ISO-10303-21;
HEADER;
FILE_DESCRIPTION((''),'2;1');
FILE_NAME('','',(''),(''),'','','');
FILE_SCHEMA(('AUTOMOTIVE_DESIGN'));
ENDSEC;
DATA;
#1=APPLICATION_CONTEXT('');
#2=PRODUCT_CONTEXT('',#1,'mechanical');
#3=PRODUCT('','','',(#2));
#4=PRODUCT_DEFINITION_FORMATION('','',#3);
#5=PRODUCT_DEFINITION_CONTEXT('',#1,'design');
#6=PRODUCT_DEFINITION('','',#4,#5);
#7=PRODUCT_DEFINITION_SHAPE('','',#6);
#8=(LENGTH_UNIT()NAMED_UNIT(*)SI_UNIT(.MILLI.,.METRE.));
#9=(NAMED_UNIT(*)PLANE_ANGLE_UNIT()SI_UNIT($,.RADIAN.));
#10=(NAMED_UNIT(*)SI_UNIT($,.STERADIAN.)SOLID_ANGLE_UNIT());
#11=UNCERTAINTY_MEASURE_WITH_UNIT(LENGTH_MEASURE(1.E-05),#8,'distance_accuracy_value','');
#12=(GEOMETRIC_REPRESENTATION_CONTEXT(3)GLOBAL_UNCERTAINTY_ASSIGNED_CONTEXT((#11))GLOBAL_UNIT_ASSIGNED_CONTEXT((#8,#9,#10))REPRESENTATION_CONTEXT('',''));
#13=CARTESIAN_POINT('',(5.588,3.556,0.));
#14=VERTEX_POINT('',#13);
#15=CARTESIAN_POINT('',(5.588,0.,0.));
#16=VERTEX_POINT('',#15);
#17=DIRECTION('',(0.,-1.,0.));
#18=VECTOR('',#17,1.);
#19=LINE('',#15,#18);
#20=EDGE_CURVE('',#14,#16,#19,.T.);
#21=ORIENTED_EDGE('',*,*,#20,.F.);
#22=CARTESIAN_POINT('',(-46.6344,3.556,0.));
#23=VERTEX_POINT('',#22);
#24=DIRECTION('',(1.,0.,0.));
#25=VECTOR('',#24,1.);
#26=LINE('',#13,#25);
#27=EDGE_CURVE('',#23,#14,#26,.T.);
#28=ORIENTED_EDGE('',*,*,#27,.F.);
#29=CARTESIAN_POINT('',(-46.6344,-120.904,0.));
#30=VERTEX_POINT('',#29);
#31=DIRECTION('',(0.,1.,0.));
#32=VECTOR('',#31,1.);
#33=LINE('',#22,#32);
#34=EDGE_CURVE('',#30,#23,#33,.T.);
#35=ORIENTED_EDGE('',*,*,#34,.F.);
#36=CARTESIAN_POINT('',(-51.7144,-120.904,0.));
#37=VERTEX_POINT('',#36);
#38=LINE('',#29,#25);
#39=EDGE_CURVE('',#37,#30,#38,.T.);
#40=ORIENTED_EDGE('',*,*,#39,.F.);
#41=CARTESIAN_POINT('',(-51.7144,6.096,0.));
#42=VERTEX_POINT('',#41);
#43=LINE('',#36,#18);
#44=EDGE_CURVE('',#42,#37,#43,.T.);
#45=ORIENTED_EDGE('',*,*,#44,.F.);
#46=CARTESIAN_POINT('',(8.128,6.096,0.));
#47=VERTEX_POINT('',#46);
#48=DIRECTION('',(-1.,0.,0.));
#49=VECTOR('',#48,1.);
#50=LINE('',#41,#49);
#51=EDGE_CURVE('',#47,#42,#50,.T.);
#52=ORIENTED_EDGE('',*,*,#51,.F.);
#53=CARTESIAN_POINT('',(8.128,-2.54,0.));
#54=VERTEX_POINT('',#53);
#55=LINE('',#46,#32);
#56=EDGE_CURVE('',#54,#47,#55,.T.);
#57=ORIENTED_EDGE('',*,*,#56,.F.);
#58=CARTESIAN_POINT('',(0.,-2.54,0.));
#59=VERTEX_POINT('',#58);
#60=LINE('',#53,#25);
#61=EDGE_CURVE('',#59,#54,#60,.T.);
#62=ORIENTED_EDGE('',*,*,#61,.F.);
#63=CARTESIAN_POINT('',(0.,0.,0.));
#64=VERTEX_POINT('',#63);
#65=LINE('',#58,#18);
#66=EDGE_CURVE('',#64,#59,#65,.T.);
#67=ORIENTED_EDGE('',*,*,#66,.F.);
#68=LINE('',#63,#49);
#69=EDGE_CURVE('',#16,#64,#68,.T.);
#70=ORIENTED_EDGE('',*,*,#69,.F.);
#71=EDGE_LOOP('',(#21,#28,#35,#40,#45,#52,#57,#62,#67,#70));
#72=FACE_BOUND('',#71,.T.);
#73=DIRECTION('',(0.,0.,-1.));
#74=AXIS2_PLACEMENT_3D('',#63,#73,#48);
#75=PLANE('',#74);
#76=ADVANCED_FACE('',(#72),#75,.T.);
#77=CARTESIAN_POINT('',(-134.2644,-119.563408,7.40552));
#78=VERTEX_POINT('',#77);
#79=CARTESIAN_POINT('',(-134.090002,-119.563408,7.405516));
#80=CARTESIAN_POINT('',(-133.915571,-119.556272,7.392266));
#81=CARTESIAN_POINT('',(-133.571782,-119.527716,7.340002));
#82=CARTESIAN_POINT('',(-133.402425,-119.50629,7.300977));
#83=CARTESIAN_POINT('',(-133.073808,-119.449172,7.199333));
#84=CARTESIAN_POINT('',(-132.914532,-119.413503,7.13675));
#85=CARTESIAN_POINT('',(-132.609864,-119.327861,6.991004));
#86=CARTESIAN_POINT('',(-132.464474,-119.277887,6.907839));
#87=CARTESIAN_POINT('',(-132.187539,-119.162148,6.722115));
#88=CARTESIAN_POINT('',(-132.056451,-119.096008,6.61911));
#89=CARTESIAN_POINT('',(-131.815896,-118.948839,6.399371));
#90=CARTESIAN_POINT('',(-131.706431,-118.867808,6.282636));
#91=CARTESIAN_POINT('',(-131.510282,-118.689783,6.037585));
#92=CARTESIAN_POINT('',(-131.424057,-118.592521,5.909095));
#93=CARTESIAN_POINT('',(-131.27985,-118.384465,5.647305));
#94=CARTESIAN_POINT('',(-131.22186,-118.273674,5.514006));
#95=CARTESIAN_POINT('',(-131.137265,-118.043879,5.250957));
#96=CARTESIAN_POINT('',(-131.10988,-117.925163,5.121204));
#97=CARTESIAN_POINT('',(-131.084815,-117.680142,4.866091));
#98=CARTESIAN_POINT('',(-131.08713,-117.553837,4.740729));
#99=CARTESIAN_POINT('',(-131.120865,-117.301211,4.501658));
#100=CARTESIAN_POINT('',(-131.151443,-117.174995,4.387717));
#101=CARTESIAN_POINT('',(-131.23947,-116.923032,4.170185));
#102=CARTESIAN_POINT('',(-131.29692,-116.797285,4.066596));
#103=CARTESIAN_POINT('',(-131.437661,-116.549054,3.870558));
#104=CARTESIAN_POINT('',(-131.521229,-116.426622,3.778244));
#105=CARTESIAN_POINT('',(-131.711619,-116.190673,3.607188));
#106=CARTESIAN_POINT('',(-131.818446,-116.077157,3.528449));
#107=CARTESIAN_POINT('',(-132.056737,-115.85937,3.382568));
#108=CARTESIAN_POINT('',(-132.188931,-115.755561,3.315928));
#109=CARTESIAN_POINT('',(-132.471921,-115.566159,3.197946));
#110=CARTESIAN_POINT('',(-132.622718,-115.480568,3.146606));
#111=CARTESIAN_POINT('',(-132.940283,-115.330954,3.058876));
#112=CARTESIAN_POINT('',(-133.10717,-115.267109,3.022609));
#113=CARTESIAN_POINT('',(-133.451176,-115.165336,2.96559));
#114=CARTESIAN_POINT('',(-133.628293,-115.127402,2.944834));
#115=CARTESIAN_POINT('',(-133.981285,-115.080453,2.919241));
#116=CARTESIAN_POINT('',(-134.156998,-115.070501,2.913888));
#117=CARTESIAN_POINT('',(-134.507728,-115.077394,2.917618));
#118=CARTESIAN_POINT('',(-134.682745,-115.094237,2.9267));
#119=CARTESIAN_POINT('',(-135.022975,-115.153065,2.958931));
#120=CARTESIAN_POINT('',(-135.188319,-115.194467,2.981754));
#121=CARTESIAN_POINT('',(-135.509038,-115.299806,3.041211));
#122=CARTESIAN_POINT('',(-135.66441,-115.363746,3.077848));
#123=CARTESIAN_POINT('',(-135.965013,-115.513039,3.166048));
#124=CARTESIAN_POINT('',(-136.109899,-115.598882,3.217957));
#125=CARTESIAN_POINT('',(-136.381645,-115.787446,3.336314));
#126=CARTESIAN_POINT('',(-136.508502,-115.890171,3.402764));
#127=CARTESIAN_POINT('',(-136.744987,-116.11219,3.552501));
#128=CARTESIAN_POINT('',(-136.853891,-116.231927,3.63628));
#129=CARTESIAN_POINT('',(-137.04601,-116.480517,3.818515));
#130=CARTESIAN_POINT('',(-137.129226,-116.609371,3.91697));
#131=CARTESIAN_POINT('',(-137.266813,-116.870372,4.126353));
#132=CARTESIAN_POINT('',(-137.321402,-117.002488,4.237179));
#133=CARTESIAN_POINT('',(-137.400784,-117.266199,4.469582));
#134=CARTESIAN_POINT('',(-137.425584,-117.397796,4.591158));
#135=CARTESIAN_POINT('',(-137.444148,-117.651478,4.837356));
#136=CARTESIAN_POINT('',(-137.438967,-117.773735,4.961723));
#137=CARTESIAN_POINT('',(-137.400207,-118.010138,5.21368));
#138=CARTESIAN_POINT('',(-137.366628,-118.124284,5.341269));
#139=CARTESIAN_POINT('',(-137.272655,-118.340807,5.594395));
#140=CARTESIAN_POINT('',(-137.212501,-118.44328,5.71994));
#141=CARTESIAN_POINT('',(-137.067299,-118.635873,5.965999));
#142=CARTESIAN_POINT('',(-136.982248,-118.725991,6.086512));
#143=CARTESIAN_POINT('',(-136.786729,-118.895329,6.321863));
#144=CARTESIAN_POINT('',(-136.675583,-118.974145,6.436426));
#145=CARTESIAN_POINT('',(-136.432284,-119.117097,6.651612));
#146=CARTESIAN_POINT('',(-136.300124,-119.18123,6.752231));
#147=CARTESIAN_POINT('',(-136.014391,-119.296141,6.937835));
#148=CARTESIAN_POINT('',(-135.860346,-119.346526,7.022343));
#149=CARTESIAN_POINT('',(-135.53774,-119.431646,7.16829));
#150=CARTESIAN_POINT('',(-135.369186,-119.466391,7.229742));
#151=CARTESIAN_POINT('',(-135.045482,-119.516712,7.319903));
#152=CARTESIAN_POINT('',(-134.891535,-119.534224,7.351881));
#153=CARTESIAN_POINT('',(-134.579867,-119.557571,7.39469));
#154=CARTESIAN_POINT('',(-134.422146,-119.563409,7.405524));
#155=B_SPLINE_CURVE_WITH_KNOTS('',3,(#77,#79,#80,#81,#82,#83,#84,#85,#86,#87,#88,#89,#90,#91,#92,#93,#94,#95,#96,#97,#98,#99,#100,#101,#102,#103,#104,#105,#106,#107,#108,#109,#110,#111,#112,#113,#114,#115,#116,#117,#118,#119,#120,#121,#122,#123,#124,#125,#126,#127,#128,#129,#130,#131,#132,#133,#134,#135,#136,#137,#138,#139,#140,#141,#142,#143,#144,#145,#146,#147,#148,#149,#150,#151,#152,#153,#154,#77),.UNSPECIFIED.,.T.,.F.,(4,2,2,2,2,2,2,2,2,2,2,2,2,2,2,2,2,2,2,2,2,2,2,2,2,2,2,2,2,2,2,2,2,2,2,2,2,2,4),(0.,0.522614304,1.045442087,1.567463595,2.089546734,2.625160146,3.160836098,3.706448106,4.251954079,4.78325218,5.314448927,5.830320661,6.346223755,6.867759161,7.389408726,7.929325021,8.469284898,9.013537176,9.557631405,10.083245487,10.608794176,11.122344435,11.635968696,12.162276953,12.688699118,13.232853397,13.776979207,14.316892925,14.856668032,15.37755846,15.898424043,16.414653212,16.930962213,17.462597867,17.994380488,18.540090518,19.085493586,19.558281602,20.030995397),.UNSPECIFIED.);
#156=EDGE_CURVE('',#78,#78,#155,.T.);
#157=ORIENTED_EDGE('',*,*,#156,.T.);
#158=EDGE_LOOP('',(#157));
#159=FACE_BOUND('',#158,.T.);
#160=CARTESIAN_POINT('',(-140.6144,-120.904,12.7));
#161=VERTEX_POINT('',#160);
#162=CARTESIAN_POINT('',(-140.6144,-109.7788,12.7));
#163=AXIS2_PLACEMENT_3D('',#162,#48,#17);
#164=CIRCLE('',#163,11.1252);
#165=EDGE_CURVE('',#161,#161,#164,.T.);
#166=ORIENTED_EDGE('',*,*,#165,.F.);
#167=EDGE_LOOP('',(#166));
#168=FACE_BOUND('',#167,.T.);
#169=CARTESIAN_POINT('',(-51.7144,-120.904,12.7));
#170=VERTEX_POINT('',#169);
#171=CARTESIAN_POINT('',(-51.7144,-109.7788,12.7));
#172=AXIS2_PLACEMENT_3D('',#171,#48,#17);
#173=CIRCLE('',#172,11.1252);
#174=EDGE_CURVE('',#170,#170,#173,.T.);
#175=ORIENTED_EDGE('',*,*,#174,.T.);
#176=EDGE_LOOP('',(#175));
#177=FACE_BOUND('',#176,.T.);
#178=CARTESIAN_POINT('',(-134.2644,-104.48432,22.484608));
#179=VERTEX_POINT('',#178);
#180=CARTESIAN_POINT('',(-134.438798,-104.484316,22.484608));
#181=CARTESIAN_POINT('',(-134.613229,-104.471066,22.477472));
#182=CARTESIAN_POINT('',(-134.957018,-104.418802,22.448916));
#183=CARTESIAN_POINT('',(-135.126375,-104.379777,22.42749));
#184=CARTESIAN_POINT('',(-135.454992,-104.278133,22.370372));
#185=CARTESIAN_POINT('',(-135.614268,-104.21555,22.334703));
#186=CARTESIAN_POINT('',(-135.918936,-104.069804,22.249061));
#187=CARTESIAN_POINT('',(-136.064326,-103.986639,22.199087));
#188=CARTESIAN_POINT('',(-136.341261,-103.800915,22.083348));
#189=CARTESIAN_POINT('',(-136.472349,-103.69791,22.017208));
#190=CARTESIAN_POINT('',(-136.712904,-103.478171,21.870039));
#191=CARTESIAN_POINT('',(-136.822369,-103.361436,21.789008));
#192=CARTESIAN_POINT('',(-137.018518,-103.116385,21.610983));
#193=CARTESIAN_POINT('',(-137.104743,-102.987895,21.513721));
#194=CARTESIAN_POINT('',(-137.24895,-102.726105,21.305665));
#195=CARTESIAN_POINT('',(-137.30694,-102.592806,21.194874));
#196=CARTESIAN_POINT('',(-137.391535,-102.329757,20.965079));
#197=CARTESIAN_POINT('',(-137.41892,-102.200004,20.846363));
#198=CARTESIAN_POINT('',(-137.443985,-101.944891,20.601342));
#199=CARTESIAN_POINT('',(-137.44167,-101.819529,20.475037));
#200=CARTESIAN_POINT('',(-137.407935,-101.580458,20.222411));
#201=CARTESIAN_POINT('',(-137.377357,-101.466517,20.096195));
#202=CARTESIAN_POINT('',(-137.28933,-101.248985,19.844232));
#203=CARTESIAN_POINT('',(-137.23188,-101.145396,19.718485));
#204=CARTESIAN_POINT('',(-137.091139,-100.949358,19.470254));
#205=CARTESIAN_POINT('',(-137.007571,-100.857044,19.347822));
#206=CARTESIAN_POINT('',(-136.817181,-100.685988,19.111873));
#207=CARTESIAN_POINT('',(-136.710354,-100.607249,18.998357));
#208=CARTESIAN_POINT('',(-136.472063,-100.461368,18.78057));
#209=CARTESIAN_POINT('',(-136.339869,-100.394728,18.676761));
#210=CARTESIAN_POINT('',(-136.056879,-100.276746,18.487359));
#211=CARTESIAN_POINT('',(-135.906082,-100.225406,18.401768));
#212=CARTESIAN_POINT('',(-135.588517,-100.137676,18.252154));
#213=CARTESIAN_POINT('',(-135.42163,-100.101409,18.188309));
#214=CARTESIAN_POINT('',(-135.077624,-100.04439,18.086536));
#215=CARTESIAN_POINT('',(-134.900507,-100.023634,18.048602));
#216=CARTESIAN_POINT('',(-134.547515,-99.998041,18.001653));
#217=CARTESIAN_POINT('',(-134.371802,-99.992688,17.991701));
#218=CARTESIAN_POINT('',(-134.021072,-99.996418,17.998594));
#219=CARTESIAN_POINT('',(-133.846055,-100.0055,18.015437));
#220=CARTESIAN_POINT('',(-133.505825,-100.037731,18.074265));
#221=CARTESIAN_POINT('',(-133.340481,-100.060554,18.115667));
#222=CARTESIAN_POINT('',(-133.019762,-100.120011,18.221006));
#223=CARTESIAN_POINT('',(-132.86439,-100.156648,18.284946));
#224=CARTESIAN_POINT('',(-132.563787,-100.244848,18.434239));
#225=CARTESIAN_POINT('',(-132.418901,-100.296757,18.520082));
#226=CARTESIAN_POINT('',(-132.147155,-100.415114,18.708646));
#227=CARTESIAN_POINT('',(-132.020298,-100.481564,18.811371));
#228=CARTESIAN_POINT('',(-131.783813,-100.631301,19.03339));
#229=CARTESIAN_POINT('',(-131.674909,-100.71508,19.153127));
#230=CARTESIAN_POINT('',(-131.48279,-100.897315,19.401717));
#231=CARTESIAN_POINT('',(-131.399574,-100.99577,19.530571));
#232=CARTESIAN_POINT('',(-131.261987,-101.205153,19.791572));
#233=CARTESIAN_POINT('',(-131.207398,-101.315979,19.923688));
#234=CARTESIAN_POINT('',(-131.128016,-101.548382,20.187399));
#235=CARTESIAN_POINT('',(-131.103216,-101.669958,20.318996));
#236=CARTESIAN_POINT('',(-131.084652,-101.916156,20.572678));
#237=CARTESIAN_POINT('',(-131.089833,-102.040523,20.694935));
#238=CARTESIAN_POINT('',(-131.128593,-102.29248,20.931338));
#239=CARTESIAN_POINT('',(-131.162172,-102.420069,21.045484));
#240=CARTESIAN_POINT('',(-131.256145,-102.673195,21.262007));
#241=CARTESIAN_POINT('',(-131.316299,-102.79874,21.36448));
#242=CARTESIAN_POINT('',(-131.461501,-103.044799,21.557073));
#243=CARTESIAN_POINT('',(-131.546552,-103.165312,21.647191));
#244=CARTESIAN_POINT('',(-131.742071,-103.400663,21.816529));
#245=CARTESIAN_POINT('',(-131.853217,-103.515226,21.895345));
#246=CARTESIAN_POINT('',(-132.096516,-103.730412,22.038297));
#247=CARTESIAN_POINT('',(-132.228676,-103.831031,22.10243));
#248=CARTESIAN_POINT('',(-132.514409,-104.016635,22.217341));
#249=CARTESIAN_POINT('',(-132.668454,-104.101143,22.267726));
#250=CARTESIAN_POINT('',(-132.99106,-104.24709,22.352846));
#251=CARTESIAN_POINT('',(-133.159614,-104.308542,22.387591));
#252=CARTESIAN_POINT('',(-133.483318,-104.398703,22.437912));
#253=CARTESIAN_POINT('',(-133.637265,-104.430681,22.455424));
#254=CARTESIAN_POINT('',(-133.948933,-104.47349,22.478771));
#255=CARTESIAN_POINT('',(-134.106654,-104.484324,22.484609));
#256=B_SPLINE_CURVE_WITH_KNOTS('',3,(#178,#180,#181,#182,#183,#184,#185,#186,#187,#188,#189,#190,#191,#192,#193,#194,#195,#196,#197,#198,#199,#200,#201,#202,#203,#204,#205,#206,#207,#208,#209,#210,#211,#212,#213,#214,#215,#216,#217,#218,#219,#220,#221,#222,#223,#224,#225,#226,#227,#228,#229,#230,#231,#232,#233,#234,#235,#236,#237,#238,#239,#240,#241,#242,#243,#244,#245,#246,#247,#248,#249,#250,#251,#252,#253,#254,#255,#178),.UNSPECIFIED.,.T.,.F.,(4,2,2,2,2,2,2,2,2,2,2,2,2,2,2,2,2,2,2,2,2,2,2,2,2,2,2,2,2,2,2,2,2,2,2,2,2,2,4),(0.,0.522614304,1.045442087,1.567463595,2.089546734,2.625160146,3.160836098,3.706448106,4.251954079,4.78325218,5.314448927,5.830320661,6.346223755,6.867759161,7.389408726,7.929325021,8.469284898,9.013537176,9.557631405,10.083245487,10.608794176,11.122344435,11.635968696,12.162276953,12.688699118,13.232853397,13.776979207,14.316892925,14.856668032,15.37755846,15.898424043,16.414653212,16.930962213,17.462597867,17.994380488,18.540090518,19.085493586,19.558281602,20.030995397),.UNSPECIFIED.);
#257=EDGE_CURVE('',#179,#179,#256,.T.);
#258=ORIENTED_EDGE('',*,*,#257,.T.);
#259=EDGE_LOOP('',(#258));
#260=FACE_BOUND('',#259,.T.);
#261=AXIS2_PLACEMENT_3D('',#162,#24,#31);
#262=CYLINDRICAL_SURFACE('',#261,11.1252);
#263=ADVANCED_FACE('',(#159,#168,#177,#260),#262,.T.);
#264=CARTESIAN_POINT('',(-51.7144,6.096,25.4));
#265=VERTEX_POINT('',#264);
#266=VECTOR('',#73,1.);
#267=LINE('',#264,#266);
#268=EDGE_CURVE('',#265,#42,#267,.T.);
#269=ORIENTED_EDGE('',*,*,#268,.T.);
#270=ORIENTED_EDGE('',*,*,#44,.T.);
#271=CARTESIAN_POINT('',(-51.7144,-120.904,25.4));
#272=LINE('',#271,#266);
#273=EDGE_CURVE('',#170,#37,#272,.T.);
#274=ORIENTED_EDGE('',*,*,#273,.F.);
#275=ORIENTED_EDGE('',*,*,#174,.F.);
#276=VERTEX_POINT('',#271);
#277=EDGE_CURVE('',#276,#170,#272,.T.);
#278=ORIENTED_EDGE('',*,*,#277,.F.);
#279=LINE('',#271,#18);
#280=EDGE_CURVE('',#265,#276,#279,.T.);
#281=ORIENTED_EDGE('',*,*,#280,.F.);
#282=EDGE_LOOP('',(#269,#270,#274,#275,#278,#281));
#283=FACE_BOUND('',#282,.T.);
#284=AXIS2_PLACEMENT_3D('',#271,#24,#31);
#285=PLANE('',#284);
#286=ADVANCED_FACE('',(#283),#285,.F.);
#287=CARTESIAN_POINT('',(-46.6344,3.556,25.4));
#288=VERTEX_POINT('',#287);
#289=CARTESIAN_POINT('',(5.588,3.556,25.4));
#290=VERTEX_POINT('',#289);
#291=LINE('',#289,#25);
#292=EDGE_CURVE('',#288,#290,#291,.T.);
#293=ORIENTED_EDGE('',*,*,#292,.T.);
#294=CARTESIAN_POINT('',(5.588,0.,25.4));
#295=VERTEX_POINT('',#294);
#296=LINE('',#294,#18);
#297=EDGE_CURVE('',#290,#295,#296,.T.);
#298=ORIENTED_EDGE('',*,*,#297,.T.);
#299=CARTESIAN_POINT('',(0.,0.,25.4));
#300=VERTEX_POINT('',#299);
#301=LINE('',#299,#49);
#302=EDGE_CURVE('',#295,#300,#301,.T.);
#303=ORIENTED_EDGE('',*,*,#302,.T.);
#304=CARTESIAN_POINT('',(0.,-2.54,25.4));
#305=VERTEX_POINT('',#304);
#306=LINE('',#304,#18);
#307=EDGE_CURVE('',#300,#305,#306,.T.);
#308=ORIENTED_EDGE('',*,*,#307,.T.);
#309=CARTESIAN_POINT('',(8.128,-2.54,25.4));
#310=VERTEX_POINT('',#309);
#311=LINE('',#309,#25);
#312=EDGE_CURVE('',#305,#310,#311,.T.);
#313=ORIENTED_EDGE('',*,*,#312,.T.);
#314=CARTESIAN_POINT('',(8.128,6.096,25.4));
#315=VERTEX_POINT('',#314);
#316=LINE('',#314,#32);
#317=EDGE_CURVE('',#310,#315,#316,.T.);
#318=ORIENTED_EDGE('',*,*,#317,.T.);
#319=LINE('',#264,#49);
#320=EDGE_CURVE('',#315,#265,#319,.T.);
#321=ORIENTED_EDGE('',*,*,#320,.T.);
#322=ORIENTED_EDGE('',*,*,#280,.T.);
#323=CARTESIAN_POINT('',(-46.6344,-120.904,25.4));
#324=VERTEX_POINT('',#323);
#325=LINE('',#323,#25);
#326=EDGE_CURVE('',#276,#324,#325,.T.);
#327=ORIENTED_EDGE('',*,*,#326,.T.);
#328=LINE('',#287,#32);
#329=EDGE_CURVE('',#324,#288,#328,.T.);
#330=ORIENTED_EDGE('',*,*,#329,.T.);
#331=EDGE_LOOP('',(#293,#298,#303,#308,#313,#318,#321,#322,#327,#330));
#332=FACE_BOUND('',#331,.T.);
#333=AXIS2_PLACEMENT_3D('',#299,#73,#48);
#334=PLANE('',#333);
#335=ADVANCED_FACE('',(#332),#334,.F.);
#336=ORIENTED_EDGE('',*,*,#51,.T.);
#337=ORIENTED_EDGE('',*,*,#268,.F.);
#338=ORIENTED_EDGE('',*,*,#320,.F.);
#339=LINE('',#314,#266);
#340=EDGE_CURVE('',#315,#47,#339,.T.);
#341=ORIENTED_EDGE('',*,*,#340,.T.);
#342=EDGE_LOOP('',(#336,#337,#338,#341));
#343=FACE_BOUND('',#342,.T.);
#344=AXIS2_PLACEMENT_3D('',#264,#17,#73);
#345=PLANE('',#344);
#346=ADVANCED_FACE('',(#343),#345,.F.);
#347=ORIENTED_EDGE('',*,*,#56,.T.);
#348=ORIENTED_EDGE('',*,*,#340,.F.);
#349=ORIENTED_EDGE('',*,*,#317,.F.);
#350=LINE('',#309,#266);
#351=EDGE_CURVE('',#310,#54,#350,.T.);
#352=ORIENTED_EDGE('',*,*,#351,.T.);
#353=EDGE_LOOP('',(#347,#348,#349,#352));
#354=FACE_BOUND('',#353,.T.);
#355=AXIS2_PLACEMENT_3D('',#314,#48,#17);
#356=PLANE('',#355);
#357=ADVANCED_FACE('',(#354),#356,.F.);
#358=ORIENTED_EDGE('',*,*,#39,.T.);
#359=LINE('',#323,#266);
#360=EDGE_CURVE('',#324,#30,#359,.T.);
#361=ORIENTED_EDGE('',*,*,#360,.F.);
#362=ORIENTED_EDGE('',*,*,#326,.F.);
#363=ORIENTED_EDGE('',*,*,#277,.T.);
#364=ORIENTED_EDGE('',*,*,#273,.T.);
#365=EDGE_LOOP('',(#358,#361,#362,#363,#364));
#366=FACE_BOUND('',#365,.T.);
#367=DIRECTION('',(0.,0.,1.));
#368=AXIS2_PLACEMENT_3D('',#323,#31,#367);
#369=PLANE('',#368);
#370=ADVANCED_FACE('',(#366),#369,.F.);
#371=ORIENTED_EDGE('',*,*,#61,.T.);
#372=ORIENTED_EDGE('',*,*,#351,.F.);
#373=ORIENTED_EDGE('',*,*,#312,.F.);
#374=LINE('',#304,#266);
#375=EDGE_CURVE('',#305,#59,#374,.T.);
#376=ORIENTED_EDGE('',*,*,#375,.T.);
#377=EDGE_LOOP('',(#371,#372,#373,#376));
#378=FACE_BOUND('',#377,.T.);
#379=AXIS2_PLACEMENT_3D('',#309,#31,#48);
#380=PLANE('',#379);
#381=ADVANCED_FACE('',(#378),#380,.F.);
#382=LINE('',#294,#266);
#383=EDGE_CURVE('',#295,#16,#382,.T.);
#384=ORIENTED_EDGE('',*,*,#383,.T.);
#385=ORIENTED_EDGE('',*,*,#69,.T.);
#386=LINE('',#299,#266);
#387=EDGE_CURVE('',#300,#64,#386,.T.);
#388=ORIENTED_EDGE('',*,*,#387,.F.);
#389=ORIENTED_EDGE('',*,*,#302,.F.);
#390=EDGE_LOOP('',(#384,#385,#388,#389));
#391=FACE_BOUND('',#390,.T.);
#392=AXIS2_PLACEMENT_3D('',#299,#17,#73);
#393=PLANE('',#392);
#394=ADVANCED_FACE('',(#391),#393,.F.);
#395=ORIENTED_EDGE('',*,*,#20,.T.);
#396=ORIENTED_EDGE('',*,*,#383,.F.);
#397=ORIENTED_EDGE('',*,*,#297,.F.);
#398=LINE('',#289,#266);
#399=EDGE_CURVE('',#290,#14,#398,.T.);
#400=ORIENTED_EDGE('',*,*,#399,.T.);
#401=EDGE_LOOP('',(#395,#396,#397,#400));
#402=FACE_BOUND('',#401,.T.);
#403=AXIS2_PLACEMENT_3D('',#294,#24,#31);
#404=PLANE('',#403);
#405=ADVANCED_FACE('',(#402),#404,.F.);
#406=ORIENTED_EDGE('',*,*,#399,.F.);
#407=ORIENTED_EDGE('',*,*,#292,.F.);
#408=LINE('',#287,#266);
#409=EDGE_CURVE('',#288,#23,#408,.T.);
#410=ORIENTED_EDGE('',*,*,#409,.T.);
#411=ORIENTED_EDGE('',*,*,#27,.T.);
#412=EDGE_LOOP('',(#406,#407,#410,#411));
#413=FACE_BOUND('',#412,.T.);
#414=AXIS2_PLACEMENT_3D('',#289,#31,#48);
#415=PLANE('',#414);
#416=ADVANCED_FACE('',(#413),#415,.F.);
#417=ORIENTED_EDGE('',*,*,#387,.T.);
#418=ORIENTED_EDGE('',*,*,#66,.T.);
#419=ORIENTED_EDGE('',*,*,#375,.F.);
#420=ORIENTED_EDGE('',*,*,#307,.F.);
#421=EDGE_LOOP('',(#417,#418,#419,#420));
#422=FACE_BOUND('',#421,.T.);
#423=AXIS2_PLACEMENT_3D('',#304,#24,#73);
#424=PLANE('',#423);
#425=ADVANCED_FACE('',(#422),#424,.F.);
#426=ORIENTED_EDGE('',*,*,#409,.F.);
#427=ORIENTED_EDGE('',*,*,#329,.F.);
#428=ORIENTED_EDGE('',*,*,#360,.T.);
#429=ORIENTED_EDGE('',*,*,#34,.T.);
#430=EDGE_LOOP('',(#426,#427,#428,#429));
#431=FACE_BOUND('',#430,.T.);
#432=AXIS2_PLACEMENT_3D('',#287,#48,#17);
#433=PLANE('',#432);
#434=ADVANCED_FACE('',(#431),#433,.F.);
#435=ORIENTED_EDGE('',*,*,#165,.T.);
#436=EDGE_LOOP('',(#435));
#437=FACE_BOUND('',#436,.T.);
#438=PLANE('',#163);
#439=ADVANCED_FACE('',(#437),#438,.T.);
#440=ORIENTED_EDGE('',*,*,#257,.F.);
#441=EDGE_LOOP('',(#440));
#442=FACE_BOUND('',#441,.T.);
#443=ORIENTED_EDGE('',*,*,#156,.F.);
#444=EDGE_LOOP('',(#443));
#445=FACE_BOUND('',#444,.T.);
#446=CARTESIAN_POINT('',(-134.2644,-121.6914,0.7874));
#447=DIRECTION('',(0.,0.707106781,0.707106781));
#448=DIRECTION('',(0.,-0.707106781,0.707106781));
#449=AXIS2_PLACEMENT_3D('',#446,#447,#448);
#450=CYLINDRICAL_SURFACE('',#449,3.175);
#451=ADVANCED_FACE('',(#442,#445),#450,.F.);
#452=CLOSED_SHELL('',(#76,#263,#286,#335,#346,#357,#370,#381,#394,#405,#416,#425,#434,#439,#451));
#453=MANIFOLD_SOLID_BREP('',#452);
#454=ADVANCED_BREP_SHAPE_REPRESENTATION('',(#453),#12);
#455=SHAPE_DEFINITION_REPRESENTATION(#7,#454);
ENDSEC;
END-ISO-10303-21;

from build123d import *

# Parameters (mm, degrees)
BOSS_EXTRUDE1_DEPTH = 25.4
SKETCH2_R           = 11.1252
BOSS_EXTRUDE2_DEPTH = 88.9
SKETCH3_R           = 3.175
CUT_EXTRUDE1_DEPTH  = 28.972160483


with BuildPart() as part:
    # Sketch1 → Boss-Extrude1 (new body)
    with BuildSketch(Plane.XY):
        Polygon((0, 0), (5.588, 0), (5.588, 3.556), (-46.6344, 3.556), (-46.6344, -120.904), (-51.7144, -120.904), (-51.7144, 6.096), (8.128, 6.096), (8.128, -2.54), (0, -2.54), align=None)
    extrude(amount=BOSS_EXTRUDE1_DEPTH)

    # Sketch2 → Boss-Extrude2 (add)
    with BuildSketch(Plane.ZY.offset(51.7144)):
        with Locations((12.7, -109.7788)):
            Circle(SKETCH2_R)
    extrude(amount=BOSS_EXTRUDE2_DEPTH)

    # Sketch3 → Cut-Extrude1 (cut, through all)
    with BuildSketch(Plane(origin=(0, -40.672695638, -40.672695638), x_dir=(1, 0, 0), z_dir=(0, 0.707106781, 0.707106781))):
        with Locations((-134.2644, -86.605590032)):
            Circle(SKETCH3_R)
    extrude(amount=-CUT_EXTRUDE1_DEPTH, mode=Mode.SUBTRACT)


solid = part.part
